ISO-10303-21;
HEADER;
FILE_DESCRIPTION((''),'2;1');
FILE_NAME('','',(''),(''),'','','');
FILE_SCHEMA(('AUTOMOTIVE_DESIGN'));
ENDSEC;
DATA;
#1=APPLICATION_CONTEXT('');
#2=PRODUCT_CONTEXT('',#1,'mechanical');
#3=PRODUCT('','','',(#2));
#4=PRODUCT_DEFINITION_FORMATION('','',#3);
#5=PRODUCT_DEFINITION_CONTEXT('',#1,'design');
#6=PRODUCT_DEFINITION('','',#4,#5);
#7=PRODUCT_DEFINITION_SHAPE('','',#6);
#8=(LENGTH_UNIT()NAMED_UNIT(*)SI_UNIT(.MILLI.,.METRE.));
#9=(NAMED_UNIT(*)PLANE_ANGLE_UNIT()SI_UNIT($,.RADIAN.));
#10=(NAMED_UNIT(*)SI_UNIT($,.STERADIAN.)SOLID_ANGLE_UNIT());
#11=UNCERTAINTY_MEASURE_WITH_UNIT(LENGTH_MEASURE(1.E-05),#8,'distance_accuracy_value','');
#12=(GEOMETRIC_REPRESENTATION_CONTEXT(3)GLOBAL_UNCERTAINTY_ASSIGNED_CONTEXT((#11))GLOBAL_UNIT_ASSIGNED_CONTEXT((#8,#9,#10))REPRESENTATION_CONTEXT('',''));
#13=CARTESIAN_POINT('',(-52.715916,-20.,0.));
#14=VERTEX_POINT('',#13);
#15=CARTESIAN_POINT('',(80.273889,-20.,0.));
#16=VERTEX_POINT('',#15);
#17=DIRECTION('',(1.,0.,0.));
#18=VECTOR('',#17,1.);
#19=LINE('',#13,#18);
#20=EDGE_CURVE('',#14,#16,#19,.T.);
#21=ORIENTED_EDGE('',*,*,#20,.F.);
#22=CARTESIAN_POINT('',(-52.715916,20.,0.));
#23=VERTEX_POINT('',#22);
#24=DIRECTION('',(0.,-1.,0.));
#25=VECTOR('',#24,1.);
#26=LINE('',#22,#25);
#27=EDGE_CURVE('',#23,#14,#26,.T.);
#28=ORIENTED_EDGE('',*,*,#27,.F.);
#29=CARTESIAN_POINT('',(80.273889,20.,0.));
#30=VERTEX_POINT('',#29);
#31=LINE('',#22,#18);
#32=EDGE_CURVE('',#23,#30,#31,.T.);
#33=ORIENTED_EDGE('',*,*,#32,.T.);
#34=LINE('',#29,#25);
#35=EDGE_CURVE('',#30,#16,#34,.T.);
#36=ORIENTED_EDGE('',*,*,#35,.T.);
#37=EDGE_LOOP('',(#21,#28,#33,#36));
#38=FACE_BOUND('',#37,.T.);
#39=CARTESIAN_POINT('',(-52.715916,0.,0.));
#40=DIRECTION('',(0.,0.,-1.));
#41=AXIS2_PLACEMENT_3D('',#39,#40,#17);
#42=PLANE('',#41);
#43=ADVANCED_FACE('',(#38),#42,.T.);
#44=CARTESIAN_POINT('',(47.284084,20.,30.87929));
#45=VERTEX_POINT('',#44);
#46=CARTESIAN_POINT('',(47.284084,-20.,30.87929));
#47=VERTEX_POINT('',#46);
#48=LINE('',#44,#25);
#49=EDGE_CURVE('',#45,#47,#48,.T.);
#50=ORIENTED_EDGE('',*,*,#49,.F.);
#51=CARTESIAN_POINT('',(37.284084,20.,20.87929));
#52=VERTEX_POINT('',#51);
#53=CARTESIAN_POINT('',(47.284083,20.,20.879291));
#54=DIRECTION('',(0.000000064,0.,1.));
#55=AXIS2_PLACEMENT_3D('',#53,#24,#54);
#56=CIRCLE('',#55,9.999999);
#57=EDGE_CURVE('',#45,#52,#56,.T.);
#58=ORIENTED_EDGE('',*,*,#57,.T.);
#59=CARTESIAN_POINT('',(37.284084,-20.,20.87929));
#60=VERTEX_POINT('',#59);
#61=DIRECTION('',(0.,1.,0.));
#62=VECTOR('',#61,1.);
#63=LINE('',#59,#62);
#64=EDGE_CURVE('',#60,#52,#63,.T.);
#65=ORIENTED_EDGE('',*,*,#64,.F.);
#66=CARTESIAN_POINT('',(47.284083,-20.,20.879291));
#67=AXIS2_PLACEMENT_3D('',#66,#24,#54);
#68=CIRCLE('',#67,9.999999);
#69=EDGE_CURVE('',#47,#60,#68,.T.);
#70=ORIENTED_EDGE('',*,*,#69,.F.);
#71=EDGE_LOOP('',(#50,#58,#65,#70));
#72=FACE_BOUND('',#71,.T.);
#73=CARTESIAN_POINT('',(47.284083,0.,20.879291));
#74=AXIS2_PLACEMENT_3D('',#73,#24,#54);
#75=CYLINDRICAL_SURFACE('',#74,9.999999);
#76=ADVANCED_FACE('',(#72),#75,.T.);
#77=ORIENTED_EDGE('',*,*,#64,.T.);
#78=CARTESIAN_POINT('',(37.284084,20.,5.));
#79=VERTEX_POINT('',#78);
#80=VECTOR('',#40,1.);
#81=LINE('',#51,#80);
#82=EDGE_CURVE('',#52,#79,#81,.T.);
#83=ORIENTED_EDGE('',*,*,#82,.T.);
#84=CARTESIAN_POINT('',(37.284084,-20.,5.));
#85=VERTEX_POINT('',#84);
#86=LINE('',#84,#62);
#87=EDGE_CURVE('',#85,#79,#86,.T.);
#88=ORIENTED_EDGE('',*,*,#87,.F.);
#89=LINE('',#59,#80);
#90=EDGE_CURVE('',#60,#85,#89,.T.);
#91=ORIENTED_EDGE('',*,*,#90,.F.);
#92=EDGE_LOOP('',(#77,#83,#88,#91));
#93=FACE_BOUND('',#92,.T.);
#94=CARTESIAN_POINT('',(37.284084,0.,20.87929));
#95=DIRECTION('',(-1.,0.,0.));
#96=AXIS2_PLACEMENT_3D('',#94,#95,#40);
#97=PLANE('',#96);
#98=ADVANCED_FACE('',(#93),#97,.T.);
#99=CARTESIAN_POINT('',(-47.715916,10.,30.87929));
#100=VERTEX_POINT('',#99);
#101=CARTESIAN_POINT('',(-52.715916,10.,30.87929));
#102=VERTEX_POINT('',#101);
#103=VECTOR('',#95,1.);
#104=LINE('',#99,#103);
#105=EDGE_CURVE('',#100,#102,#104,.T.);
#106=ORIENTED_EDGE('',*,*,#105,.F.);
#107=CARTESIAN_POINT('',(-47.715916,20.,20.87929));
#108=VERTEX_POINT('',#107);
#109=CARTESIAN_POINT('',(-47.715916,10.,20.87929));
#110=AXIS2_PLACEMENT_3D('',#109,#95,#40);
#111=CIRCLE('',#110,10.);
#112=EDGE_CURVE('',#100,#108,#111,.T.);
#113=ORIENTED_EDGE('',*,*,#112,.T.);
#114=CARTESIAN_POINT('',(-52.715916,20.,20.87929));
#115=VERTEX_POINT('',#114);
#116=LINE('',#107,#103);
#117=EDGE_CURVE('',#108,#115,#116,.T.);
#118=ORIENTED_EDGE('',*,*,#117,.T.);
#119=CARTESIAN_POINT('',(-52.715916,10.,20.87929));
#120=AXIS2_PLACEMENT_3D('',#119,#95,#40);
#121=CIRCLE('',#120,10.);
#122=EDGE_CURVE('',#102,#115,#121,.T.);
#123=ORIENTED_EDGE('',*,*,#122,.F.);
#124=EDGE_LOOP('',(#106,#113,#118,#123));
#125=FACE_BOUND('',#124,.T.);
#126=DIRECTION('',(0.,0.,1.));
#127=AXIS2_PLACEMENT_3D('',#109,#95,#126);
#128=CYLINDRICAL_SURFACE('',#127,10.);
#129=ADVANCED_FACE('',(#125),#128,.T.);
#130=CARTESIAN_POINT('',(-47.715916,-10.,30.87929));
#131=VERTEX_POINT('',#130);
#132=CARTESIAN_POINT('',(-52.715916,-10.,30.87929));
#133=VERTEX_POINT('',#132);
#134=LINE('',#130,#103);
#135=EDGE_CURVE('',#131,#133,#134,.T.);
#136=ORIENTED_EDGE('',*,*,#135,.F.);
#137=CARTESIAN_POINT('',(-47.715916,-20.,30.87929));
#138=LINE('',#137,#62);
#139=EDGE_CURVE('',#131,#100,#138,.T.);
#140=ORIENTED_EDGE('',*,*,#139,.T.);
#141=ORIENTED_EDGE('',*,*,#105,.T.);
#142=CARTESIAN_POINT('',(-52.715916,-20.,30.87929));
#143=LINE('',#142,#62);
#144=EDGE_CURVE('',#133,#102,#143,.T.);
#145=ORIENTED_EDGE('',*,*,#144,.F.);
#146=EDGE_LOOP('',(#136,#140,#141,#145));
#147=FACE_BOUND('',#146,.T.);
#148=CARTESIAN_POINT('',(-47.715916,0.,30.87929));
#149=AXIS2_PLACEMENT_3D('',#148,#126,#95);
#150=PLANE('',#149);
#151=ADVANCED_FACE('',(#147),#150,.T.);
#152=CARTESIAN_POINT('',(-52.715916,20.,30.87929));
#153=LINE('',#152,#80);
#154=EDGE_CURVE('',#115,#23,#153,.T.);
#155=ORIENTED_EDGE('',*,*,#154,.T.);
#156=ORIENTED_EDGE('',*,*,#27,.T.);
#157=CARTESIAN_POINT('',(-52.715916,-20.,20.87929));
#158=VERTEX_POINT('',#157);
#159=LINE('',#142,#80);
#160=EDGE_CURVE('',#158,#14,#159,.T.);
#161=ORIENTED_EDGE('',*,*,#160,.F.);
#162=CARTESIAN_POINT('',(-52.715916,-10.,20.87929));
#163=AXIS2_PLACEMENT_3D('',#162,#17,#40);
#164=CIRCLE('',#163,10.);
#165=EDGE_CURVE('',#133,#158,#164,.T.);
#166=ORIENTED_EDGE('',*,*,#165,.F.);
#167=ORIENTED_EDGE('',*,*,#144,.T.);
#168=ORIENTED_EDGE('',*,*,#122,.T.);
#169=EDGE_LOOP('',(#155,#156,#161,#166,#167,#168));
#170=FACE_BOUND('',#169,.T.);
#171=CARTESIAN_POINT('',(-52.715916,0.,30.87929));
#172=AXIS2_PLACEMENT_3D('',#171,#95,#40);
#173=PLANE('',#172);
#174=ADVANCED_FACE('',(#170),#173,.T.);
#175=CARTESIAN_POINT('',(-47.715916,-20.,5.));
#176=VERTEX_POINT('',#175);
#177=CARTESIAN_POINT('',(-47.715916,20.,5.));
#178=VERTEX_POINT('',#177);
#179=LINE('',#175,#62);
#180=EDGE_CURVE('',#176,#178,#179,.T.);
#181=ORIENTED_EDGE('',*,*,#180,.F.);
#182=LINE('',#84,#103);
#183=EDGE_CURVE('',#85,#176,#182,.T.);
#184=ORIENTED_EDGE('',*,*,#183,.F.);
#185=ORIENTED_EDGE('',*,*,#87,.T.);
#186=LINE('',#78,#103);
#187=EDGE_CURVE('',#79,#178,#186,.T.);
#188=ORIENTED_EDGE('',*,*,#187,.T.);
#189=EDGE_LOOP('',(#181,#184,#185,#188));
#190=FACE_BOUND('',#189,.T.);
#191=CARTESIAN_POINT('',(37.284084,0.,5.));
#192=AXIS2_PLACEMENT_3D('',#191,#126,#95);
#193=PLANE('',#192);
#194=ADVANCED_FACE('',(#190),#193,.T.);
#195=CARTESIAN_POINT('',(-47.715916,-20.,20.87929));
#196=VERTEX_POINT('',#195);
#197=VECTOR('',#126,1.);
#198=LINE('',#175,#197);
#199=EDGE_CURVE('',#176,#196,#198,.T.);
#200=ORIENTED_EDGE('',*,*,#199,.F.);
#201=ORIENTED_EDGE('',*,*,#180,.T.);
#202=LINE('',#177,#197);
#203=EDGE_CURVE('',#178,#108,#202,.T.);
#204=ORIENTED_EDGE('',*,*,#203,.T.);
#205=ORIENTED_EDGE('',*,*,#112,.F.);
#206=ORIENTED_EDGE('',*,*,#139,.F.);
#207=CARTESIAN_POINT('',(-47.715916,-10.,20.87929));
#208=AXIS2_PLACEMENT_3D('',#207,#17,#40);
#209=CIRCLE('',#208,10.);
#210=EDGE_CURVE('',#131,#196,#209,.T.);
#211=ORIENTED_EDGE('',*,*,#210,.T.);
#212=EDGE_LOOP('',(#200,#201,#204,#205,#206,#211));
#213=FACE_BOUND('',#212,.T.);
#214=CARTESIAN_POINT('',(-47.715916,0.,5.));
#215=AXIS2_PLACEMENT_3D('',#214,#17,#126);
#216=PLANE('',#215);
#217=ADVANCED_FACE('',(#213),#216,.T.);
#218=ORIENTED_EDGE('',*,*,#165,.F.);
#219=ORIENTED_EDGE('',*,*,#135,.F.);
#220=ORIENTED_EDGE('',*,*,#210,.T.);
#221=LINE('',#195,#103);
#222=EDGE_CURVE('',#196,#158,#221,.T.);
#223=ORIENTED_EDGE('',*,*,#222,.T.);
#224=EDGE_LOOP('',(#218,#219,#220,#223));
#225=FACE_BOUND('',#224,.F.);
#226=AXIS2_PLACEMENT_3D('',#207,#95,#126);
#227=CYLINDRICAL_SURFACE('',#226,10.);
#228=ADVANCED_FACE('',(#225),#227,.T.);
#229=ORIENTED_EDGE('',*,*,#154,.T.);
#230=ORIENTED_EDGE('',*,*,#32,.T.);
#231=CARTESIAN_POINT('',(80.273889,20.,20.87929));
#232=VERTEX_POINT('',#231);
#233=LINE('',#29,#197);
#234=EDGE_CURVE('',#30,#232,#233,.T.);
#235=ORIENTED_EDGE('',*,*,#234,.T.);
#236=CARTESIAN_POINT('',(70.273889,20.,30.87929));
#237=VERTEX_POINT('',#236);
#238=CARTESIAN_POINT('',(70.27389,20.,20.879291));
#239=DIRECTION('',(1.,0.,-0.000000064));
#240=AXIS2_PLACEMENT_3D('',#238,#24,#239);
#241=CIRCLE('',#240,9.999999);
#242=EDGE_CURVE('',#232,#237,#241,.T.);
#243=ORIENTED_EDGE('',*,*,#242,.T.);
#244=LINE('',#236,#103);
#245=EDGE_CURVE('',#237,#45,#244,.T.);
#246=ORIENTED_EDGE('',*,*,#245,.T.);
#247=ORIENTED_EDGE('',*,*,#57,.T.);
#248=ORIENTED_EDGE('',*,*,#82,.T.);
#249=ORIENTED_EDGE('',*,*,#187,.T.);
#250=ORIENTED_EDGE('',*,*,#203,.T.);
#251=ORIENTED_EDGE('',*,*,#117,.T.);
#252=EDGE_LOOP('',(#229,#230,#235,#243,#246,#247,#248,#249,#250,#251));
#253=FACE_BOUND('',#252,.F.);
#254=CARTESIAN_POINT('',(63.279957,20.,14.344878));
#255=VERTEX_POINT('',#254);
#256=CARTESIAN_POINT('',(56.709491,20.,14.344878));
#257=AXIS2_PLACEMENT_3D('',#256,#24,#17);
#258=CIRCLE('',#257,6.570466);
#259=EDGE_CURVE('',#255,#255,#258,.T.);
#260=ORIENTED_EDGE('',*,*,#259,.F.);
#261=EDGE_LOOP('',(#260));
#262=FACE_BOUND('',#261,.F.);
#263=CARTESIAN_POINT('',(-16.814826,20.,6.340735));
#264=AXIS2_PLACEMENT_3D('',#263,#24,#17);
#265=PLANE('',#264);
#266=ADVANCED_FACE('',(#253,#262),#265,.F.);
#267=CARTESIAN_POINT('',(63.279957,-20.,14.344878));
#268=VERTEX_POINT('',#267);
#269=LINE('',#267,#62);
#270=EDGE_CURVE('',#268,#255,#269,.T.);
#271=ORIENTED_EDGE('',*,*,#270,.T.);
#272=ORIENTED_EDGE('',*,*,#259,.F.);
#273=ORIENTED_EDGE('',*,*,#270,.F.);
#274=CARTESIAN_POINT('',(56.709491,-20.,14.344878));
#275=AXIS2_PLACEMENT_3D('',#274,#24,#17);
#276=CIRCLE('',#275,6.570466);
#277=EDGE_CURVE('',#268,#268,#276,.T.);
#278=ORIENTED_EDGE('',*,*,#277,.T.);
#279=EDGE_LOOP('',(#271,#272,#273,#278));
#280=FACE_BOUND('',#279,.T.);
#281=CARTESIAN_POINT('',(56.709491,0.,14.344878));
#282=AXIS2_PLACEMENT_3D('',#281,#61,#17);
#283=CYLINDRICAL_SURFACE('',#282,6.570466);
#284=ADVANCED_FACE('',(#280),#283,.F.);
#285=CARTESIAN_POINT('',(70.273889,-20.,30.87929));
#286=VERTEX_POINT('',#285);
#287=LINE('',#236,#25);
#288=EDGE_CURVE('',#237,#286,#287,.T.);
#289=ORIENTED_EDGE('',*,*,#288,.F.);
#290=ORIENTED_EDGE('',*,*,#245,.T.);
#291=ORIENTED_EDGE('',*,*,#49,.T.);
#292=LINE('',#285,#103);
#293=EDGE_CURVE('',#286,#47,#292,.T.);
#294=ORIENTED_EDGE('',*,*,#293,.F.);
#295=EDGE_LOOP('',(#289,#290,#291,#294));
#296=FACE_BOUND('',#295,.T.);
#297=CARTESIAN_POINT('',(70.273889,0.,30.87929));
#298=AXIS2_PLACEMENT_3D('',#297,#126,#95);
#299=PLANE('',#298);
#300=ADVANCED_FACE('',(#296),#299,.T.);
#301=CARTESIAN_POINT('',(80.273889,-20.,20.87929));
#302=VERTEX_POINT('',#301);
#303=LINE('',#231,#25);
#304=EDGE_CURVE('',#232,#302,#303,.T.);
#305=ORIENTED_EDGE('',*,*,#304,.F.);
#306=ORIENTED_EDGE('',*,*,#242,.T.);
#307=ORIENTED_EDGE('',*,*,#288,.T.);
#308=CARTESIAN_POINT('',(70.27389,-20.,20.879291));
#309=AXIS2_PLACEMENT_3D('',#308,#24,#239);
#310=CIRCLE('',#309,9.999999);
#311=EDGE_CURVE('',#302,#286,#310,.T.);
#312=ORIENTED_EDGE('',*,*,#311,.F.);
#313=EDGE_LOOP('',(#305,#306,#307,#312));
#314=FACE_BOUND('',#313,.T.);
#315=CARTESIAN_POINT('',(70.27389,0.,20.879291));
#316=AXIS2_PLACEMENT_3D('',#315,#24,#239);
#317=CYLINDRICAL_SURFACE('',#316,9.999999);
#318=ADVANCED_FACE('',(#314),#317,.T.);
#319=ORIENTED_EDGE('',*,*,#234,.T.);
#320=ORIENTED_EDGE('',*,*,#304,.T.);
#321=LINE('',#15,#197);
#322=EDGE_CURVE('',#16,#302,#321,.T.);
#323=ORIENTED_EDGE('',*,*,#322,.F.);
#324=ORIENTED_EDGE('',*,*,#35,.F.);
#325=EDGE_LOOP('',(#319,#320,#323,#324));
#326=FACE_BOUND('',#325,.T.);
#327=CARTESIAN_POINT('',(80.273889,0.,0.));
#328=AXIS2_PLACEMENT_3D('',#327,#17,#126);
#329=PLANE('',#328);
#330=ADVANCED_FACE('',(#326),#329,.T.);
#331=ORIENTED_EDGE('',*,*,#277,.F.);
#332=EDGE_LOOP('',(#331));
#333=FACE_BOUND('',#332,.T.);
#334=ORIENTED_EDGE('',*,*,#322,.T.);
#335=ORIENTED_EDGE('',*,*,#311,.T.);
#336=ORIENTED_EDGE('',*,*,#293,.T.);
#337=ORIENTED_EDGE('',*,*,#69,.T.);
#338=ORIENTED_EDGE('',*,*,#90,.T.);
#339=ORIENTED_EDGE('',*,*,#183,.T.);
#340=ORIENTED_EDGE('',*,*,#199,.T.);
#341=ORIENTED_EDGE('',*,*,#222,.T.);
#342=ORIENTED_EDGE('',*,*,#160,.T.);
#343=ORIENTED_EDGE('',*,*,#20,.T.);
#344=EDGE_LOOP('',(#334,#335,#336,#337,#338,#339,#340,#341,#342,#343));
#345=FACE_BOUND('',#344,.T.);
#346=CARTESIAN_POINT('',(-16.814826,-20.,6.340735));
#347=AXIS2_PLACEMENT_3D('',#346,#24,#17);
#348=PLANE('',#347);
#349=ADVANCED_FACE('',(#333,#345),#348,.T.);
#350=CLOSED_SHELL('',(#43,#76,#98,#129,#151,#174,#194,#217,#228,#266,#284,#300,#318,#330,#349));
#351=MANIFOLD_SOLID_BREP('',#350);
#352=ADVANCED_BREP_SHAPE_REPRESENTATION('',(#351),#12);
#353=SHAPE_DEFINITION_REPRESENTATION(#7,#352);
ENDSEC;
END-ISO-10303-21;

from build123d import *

# Parameters (mm, degrees)
F0_R     = 6.570466
F1_DEPTH = 20
F2_R     = 10
F3_R     = 10


with BuildPart() as f1:
    # F0 (on Front) → F1 (new body, symmetric)
    with BuildSketch(Plane.XZ):
        Polygon((-52.715916, 30.87929), (-52.715916, 0), (37.284084, 0), (37.284084, 5), (-47.715916, 5), (-47.715916, 30.87929), align=None)
        with BuildLine():
            Line((37.284084, 5), (37.284084, 0))
            Line((37.284084, 0), (80.273889, 0))
            Line((80.273889, 0), (80.273889, 20.87929))
            ThreePointArc((80.273889, 20.87929), (77.344957, 27.950358), (70.273889, 30.87929))
            Line((70.273889, 30.87929), (47.284084, 30.87929))
            ThreePointArc((47.284084, 30.87929), (40.213016, 27.950358), (37.284084, 20.87929))
            Line((37.284084, 20.87929), (37.284084, 5))
        make_face()
        with Locations((56.709491, 14.344878)):
            Circle(F0_R, mode=Mode.SUBTRACT)
    extrude(amount=F1_DEPTH, both=True)

    # F2
    f2_edges = [f1.edges().sort_by_distance(p)[0] for p in [
        (-50.215916, 20, 30.87929),
    ]]
    fillet(f2_edges, radius=F2_R)

    # F3
    f3_edges = [f1.edges().sort_by_distance(p)[0] for p in [
        (-50.215916, -20, 30.87929),
    ]]
    fillet(f3_edges, radius=F3_R)


solid = f1.part
